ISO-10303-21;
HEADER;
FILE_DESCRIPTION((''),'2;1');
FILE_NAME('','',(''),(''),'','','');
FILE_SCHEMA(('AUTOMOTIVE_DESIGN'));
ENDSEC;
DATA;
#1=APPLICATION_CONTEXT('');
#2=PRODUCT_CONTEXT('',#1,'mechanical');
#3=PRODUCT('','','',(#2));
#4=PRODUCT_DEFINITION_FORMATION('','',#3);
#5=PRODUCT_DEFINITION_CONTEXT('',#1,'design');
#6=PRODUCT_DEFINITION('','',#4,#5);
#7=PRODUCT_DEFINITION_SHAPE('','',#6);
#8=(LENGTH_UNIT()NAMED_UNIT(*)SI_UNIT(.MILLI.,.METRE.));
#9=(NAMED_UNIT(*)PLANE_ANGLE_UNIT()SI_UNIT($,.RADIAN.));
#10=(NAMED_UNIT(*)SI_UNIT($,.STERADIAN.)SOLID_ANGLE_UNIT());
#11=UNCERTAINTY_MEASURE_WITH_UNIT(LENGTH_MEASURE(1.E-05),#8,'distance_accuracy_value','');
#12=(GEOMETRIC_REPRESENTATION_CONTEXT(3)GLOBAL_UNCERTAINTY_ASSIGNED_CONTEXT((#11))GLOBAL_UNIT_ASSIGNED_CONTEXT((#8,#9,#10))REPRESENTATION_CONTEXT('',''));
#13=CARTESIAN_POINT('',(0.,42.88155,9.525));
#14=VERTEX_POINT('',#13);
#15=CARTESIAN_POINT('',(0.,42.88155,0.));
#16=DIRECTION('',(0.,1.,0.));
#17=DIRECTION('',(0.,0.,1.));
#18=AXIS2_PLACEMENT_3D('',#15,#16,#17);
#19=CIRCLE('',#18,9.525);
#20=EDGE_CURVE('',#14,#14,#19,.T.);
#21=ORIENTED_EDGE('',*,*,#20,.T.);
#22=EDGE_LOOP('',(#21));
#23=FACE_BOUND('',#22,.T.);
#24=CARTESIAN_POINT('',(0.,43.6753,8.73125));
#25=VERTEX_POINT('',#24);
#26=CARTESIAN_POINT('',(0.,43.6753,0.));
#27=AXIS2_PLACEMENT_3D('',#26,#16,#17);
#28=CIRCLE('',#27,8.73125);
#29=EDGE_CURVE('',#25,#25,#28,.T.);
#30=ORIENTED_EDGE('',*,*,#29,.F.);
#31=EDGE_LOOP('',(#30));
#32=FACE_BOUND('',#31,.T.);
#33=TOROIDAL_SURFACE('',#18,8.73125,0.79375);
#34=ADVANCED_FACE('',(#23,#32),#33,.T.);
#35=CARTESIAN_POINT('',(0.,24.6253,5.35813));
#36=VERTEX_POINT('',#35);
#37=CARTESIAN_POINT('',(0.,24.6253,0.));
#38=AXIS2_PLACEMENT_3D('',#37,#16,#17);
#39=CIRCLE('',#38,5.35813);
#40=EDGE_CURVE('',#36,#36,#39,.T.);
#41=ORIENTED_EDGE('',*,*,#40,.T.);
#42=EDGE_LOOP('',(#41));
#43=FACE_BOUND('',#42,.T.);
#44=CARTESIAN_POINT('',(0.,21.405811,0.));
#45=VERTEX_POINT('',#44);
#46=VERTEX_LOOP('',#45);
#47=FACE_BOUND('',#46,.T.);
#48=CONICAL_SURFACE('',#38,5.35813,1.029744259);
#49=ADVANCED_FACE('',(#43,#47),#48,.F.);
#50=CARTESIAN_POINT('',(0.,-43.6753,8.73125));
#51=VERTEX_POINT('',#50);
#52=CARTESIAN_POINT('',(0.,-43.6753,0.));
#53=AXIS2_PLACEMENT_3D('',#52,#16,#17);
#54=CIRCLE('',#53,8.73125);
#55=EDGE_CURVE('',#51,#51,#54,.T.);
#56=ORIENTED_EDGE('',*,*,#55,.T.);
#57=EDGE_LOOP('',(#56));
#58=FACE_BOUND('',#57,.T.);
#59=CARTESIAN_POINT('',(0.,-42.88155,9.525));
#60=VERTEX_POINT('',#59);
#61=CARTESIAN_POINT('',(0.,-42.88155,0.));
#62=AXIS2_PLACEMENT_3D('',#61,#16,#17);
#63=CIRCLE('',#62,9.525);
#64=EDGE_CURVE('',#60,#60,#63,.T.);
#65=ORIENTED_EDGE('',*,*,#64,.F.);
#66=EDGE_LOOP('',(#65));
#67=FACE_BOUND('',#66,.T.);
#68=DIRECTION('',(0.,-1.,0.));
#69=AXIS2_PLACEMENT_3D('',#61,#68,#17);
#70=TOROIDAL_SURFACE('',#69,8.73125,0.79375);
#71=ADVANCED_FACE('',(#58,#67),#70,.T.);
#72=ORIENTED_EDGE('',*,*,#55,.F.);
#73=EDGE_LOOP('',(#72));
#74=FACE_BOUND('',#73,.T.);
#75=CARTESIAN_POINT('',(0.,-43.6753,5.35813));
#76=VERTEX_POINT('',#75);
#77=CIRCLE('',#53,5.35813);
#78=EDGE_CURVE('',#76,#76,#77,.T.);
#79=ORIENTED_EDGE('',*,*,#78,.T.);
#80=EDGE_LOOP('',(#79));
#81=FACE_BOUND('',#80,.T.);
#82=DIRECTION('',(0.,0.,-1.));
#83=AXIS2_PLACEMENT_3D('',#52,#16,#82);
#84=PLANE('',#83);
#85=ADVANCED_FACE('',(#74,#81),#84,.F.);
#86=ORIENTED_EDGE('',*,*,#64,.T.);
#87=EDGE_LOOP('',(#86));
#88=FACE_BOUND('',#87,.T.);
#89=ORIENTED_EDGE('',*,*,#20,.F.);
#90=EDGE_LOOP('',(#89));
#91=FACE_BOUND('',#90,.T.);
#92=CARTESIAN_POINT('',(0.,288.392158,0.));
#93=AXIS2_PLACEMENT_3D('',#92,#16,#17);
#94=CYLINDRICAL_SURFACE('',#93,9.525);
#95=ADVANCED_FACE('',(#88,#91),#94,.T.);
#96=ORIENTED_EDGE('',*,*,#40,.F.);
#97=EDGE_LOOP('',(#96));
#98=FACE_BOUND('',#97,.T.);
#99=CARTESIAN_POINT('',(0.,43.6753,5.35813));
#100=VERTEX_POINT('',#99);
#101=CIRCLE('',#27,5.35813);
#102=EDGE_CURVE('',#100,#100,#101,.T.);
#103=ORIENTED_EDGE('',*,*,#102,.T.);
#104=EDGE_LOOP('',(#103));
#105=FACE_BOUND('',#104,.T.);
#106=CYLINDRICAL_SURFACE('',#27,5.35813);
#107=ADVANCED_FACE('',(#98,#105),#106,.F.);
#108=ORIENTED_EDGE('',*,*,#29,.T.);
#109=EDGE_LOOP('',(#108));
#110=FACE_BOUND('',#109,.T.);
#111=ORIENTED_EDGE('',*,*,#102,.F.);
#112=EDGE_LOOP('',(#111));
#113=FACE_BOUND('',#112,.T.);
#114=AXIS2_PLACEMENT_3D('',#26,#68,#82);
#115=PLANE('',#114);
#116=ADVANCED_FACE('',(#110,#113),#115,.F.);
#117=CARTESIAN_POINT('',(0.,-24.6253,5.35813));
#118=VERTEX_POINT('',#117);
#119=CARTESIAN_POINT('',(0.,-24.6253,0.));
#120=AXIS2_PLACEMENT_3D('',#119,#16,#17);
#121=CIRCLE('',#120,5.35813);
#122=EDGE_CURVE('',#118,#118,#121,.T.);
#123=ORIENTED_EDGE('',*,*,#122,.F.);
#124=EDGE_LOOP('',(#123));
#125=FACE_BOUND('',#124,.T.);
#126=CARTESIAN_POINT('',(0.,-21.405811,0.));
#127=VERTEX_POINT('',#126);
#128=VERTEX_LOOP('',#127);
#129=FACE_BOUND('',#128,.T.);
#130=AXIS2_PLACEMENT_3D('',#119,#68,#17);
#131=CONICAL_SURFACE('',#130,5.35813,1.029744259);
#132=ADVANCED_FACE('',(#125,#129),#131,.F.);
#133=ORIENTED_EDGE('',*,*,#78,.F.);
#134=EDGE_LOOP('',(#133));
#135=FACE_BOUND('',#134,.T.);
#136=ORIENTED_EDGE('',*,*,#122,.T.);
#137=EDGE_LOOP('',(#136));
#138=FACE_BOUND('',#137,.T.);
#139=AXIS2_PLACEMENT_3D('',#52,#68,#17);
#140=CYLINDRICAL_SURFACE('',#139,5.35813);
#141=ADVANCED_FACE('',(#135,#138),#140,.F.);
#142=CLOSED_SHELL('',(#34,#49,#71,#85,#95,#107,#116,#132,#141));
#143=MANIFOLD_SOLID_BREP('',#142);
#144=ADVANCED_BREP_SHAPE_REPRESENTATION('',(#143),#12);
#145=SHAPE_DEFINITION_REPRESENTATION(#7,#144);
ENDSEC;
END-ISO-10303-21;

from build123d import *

# Parameters (mm, degrees)
F_1_2_13_TAPPED_HOLE1_D     = 10.71626
F_1_2_13_TAPPED_HOLE1_DEPTH = 19.05
F_1_2_13_TAPPED_HOLE1_TIP   = 3.219489309


with BuildPart() as part:
    # Sketch1 → Revolve1 (revolve)
    with BuildSketch(Plane.XY):
        with BuildLine():
            Line((0, 0), (0, 43.6753))
            Line((0, 43.6753), (8.73125, 43.6753))
            ThreePointArc((8.73125, 43.6753), (9.292516008, 43.442816008), (9.525, 42.88155))
            Line((9.525, 42.88155), (9.525, 0.79375))
            Line((9.525, 0.79375), (9.525, 0))
            Line((9.525, 0), (0, 0))
        make_face()
    revolve(axis=Axis((0, 288.392157732, 0), (0, -1, 0)))

    # 1/2-13 Tapped Hole1
    with Locations(Plane(origin=(0, 43.6753, 0), x_dir=(1, 0, 0), z_dir=(0, 1, 0))):
        with Locations((0, 0)):
            Hole(F_1_2_13_TAPPED_HOLE1_D / 2, depth=F_1_2_13_TAPPED_HOLE1_DEPTH)
            with Locations((0, 0, -(F_1_2_13_TAPPED_HOLE1_DEPTH + F_1_2_13_TAPPED_HOLE1_TIP / 2))):  # 118° drill point
                Cone(0, F_1_2_13_TAPPED_HOLE1_D / 2, F_1_2_13_TAPPED_HOLE1_TIP, mode=Mode.SUBTRACT)

    # Mirror1: part across plane


with BuildPart() as part_1:
    add(part.part)
    add(part.part.mirror(Plane.ZX))


solid = part_1.part
